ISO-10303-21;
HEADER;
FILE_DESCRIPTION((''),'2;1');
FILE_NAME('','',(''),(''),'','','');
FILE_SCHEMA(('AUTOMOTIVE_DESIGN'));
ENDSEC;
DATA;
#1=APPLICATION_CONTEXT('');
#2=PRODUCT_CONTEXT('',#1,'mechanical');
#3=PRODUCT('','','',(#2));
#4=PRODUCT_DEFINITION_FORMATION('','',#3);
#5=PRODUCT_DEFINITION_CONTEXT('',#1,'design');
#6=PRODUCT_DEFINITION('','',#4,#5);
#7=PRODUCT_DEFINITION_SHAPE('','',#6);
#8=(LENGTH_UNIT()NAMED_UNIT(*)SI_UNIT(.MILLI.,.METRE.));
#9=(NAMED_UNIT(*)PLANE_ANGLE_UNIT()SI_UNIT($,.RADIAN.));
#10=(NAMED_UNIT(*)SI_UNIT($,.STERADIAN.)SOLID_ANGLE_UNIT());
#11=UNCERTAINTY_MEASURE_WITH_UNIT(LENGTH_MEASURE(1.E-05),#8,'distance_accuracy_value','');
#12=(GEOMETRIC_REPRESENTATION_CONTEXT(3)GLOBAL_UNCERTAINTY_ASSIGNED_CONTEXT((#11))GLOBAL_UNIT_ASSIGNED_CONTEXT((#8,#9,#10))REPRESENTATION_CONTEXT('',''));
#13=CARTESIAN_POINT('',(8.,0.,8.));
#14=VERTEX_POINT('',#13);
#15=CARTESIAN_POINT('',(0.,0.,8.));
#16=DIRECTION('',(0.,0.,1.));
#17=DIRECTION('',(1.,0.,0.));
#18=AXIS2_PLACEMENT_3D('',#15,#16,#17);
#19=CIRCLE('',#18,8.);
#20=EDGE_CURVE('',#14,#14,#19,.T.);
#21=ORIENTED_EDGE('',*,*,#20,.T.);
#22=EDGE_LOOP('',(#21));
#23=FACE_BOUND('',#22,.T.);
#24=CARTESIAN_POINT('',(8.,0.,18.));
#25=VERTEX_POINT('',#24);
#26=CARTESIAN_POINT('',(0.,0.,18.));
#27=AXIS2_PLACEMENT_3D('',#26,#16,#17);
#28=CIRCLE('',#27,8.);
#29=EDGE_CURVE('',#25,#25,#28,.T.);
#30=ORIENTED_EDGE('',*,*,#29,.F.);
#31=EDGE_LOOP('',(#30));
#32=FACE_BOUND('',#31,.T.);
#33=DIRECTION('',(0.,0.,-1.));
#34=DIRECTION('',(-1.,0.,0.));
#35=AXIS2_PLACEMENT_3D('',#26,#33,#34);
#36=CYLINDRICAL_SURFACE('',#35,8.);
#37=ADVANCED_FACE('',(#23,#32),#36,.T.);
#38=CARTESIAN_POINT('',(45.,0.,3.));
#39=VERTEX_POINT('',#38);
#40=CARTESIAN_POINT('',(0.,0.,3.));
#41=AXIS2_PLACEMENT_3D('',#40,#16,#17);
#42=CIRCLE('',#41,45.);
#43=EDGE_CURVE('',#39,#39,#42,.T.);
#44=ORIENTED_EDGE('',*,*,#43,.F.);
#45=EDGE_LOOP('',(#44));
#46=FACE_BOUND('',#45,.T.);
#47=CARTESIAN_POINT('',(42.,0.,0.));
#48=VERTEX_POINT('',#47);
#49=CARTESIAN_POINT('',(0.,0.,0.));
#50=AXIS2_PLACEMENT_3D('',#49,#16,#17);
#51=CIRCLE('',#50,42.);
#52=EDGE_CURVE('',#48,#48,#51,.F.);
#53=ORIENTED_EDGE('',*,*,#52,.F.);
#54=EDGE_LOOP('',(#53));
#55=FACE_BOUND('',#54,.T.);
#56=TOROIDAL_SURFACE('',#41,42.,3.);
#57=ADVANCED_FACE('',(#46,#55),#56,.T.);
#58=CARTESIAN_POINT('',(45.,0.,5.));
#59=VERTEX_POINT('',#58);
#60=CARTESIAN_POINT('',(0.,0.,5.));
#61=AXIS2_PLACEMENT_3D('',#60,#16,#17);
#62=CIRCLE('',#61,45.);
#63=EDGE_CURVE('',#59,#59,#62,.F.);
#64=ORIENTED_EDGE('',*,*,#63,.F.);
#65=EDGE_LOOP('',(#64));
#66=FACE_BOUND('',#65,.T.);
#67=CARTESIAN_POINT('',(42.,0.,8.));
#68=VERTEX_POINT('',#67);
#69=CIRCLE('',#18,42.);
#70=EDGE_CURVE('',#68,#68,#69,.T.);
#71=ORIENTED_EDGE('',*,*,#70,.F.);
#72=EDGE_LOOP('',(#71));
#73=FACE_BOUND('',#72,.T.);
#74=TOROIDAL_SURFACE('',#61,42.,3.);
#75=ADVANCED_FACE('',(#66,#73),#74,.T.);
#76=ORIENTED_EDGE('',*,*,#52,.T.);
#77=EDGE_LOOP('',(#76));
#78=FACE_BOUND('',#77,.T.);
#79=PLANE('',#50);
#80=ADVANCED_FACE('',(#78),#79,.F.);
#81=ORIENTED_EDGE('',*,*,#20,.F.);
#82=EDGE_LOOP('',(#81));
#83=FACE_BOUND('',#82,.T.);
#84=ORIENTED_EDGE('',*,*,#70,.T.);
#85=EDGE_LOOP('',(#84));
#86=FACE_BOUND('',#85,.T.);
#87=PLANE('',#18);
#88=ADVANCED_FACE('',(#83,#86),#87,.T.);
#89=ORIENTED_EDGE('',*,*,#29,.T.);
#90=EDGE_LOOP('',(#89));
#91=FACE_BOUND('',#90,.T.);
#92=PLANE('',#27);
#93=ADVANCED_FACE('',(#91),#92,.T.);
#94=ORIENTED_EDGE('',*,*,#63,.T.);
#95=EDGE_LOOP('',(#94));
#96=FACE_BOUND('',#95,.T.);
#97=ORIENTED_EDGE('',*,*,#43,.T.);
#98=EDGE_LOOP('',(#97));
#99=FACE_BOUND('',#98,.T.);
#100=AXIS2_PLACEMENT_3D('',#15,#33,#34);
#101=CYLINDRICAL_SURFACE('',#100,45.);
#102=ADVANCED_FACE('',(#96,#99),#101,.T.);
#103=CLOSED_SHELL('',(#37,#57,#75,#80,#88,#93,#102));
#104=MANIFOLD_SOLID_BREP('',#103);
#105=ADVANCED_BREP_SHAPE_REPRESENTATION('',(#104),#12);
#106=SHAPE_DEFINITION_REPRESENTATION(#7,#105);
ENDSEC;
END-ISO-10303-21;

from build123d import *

# Parameters (mm, degrees)
CROQUIS1_R              = 45
SALIENTE_EXTRUIR1_DEPTH = 8
CROQUIS2_R              = 8
SALIENTE_EXTRUIR2_DEPTH = 10
REDONDEO1_R             = 3


with BuildPart() as part:
    # Croquis1 → Saliente-Extruir1 (new body)
    with BuildSketch(Plane.XY):
        Circle(CROQUIS1_R)
    extrude(amount=SALIENTE_EXTRUIR1_DEPTH)

    # Croquis2 → Saliente-Extruir2 (add)
    with BuildSketch(Plane.XY.offset(8)):
        Circle(CROQUIS2_R)
    extrude(amount=SALIENTE_EXTRUIR2_DEPTH)

    # Redondeo1
    redondeo1_edges = [part.edges().sort_by_distance(p)[0] for p in [
        (-45, 0, 0),
        (-45, 0, 8),
    ]]
    fillet(redondeo1_edges, radius=REDONDEO1_R)


solid = part.part
